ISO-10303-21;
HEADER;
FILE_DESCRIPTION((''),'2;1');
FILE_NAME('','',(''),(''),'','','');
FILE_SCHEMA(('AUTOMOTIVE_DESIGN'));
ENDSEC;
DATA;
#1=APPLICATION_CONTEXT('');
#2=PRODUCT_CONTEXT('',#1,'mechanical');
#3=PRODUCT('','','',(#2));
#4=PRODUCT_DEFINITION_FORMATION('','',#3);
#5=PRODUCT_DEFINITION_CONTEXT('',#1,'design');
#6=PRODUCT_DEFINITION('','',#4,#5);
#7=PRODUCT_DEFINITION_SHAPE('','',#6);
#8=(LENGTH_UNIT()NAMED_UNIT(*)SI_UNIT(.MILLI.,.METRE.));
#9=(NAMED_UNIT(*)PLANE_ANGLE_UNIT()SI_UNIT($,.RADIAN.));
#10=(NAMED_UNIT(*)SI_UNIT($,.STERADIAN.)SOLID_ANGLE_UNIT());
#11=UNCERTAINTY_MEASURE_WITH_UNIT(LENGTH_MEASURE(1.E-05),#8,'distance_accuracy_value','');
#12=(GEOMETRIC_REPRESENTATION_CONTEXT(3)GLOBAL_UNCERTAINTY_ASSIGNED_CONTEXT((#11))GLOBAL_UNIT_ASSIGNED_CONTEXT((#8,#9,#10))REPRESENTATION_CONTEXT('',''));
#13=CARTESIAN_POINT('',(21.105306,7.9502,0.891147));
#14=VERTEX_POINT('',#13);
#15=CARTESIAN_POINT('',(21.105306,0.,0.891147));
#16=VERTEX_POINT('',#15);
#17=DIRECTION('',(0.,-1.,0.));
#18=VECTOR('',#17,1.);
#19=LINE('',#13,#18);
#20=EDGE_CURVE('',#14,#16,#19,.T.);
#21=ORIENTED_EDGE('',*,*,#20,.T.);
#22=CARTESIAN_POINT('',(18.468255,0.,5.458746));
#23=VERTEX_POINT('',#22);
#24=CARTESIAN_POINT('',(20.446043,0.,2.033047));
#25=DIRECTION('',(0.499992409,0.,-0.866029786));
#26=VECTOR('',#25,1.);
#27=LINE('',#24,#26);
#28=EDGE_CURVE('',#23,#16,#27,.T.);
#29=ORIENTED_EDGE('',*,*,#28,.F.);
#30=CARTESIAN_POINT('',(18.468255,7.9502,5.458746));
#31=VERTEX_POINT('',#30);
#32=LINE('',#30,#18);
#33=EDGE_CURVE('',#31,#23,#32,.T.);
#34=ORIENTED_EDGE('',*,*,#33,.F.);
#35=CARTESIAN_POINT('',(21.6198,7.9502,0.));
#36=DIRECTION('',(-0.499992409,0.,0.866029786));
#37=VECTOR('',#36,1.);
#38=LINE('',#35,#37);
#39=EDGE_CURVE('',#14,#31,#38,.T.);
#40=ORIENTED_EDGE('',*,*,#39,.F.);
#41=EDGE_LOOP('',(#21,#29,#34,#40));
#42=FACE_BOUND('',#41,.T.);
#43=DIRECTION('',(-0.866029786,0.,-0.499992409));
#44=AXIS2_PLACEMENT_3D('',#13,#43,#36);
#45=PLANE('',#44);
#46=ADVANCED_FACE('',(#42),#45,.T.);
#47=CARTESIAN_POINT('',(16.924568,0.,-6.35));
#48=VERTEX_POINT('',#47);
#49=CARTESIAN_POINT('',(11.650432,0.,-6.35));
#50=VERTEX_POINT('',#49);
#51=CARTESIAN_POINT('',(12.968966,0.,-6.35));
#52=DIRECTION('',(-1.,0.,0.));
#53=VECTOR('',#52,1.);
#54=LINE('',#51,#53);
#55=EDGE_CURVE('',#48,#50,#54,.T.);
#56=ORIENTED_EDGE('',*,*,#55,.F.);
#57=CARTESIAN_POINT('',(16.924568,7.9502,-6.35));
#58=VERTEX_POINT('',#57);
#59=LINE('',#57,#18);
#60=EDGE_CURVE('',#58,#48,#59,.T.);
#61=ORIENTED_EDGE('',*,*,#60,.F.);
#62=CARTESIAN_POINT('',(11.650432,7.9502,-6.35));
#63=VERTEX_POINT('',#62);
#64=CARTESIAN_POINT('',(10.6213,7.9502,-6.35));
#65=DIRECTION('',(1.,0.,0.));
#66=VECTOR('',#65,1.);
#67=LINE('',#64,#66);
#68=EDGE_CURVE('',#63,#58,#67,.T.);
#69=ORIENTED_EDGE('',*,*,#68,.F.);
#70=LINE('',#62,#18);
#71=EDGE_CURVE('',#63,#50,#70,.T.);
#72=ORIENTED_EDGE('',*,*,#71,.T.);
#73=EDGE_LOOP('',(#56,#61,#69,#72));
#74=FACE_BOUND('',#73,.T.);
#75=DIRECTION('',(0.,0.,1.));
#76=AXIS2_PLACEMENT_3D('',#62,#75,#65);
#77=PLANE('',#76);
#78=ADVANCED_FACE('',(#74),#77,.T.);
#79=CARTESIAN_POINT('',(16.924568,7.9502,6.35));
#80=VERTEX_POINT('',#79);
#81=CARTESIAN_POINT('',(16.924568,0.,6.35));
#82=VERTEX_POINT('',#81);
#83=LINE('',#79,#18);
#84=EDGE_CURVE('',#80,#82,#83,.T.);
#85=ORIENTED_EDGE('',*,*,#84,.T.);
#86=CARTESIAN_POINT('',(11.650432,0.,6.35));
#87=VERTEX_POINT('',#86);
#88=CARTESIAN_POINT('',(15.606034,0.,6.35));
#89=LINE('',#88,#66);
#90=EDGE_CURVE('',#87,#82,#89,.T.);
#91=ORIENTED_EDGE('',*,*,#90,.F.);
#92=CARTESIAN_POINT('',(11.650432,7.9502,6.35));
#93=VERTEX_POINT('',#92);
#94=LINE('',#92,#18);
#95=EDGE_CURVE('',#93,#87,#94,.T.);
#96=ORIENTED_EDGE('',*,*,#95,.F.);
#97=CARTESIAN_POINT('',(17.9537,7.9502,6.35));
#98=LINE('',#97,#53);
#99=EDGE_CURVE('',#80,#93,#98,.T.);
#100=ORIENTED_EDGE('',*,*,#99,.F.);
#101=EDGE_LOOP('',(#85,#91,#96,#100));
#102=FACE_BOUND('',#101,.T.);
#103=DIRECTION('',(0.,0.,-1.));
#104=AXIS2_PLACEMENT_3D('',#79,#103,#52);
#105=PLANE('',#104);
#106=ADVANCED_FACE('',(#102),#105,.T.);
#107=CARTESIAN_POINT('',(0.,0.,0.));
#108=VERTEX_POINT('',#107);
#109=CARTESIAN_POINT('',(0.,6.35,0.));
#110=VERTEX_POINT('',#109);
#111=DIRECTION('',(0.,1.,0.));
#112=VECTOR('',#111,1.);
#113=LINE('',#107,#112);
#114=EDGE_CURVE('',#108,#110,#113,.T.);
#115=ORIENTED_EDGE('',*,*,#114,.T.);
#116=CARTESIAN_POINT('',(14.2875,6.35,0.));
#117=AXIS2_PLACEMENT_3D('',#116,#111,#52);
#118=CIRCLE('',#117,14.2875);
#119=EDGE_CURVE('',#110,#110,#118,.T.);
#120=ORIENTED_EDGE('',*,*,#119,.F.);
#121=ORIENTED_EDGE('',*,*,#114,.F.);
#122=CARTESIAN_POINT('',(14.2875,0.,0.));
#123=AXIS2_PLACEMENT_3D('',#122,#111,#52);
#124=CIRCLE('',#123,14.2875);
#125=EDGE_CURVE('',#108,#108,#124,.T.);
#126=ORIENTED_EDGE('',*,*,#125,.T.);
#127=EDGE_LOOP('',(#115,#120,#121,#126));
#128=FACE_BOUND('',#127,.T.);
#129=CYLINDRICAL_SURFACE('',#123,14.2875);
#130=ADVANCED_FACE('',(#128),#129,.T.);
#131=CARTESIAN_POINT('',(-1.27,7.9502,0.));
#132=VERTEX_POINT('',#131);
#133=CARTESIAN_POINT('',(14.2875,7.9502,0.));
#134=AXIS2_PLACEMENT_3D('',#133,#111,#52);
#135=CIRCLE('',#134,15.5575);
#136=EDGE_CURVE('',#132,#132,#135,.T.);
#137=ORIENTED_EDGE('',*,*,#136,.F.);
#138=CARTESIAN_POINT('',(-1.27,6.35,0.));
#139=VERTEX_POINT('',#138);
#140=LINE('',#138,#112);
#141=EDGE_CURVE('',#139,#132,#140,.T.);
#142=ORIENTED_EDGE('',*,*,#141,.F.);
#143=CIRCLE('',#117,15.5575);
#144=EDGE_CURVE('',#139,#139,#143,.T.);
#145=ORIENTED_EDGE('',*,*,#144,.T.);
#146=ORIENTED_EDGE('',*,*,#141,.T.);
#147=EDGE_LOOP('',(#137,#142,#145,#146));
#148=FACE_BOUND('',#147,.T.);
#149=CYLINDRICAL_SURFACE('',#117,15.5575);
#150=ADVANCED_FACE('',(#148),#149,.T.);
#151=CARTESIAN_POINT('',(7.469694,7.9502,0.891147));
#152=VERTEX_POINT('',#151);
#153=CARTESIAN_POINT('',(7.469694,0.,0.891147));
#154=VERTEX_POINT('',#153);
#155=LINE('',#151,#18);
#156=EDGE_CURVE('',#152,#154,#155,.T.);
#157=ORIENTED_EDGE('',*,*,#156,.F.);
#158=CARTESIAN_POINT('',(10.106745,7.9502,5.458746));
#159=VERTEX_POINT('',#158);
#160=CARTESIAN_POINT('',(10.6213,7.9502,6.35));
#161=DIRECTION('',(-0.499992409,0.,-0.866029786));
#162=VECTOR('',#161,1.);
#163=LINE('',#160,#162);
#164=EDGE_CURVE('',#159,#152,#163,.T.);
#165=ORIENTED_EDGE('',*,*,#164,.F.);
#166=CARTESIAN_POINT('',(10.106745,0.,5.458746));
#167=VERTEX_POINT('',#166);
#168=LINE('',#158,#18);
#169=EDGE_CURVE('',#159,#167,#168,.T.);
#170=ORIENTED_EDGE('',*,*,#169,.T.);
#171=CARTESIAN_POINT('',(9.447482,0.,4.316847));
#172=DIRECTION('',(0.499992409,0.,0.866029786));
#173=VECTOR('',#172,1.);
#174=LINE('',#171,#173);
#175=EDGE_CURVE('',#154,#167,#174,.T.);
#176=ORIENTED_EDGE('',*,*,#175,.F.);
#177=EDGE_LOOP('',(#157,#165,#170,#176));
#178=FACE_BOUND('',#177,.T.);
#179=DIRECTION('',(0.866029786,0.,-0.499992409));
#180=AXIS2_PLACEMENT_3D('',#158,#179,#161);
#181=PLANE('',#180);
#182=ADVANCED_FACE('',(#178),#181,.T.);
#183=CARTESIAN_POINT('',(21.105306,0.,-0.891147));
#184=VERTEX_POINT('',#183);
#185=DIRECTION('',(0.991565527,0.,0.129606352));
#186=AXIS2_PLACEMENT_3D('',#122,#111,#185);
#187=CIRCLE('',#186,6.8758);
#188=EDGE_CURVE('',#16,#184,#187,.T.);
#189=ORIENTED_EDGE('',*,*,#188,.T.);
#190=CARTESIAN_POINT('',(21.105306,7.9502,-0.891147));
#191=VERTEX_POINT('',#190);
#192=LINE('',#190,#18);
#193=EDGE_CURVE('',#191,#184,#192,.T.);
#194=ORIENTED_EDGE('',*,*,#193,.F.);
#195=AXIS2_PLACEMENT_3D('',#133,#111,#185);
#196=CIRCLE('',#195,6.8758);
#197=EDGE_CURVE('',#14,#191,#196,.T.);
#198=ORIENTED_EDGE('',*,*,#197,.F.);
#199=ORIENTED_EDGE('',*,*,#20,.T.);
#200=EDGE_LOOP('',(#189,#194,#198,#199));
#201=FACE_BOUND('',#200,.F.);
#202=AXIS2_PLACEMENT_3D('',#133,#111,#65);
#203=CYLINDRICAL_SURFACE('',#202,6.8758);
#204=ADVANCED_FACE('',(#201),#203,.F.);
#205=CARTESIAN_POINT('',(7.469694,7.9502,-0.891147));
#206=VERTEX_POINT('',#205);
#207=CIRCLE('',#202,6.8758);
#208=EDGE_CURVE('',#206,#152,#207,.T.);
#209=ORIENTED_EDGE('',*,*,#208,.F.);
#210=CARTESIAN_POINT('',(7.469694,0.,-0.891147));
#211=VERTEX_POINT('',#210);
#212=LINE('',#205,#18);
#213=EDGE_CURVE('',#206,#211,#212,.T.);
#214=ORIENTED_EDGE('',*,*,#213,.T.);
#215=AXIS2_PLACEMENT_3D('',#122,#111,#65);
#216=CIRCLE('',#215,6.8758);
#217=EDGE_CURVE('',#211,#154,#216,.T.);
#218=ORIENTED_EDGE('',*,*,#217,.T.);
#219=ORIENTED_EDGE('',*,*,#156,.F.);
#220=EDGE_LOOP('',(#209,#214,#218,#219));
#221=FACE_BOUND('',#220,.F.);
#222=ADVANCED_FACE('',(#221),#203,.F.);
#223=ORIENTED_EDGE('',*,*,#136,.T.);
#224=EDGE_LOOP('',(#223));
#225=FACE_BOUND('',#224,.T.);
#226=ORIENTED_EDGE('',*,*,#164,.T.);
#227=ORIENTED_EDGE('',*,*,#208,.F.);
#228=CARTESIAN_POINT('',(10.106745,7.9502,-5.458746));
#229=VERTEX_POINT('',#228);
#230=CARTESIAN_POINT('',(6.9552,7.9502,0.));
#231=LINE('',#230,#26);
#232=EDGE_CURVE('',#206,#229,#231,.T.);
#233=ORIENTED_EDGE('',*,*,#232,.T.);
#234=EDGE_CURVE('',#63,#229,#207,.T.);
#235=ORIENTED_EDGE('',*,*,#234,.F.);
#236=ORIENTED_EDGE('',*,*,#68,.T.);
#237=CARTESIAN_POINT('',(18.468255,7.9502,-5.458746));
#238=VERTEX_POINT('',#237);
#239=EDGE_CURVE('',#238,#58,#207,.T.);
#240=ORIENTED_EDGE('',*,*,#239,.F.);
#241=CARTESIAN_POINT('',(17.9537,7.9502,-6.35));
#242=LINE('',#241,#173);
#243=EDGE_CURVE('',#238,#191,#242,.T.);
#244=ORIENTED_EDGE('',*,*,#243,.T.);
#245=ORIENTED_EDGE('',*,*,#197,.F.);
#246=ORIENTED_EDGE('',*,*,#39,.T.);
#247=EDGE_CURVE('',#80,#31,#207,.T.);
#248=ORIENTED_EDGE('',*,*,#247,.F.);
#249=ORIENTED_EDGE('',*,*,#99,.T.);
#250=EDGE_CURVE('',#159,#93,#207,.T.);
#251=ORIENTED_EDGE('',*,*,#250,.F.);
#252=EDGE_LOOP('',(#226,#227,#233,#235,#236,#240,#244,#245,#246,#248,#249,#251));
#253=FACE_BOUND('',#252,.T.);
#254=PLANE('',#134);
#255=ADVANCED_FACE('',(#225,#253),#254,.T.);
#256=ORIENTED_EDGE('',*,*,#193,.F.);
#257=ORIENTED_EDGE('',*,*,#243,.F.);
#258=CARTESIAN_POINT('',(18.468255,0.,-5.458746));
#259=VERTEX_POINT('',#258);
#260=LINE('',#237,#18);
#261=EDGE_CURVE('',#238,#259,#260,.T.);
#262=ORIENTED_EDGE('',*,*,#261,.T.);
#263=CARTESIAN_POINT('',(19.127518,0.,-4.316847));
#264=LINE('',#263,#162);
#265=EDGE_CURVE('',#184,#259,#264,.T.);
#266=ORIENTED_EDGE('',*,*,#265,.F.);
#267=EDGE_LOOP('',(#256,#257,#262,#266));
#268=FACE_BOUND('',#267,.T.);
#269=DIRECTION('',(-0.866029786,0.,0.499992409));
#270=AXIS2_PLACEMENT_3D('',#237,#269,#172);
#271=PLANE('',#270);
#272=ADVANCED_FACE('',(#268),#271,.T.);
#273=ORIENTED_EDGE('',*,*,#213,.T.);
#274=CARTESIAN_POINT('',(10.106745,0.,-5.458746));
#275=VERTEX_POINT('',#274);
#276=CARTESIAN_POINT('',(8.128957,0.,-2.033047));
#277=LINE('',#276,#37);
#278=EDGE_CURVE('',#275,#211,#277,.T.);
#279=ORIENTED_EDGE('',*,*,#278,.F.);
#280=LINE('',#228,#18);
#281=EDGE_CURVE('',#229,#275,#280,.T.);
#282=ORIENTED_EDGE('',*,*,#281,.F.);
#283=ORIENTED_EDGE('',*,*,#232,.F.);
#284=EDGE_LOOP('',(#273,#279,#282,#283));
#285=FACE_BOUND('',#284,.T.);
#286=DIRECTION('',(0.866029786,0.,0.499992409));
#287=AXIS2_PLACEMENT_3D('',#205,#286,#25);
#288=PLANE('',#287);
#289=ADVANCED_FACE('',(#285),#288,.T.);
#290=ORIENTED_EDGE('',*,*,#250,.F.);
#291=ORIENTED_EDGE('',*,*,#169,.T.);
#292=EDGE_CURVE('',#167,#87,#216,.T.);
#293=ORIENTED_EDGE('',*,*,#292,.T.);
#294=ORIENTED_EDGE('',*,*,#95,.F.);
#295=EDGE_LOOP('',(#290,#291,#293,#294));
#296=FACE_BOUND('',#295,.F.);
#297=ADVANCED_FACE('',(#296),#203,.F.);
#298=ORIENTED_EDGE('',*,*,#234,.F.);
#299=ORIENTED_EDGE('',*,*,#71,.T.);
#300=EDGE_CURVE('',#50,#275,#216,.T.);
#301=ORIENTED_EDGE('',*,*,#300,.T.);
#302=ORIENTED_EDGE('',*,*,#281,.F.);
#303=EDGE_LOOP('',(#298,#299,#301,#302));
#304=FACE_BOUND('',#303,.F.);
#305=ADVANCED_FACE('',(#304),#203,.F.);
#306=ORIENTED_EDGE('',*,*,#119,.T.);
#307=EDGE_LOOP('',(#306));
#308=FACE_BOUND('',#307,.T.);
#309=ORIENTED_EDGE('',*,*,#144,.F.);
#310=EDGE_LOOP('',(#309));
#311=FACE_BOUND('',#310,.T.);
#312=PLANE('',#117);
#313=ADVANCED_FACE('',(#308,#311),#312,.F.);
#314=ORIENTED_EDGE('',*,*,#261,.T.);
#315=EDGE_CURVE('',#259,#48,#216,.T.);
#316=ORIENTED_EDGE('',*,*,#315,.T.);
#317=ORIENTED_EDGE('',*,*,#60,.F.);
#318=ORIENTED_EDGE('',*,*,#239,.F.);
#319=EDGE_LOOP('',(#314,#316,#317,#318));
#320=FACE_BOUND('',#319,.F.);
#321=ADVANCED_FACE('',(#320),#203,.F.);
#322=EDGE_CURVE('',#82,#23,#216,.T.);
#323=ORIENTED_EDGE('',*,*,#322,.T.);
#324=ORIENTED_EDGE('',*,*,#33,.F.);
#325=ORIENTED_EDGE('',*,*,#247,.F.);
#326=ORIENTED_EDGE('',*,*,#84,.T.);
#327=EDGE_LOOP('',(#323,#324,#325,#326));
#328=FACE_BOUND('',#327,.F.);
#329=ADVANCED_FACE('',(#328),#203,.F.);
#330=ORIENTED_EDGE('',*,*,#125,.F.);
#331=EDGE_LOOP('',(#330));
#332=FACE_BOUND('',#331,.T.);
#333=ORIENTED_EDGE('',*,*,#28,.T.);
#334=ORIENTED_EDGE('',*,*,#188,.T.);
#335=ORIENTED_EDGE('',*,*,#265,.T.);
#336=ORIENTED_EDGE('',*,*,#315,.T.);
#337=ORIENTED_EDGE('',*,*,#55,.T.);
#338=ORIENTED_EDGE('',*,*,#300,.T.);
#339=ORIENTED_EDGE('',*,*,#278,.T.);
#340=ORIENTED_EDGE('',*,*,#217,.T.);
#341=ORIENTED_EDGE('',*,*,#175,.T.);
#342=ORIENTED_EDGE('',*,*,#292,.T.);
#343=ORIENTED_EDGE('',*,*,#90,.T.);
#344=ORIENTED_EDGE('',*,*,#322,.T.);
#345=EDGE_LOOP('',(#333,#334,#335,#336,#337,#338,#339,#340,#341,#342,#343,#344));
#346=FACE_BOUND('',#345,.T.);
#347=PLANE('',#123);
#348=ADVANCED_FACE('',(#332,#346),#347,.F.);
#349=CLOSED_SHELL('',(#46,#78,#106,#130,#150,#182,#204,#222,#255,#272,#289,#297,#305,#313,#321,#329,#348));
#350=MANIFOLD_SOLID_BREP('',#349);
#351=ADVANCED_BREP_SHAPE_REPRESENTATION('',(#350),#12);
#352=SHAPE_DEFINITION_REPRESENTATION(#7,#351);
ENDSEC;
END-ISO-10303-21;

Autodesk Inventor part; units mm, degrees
ref_plane "YZ Plane" through (0, 0, 0) normal (1, 0, 0) x (0, 1, 0)
ref_plane "XZ Plane" through (0, 0, 0) normal (0, 1, 0) x (-1, 0, 0)
ref_plane "XY Plane" through (0, 0, 0) normal (0, 0, 1) x (1, 0, 0)
sketch "Sketch5" plane through (0, 0, 0) normal (0, 0, 1) x (1, 0, 0)
  line L0 (0, 0) -> (0, 6.35)
  line L1 (0, 6.35) -> (-1.27, 6.35)
  line L2 (-1.27, 6.35) -> (-1.27, 7.9502)
  line L3 (-1.27, 7.9502) -> (29.845, 7.9502)
  line L4 (29.845, 7.9502) -> (29.845, 6.35)
  line L5 (29.845, 6.35) -> (28.575, 6.35)
  line L6 (28.575, 6.35) -> (28.575, 0)
  line L7 (28.575, 0) -> (0, 0)
  line L8 (14.2875, 0) -> (14.2875, 7.9502)
  dimension "d8" = 28.575
  dimension "d9" = 31.115
  dimension "d10" = 6.35
  dimension "d12" = 7.9502
revolve "Revolution2" add sketch "Sketch5" angle 360 about axis through (14.2875, 0, 0) along (0, 1, 0) contours L0 L1 L2 L3 L8 L7
sketch "Sketch6" plane through (14.2875, 7.9502, 0) normal (0, 1, 0) x (1, 0, 0)
  line L0 (-7.3323, 0) -> (-3.6662, 6.35)
  line L1 (-3.6662, 6.35) -> (3.6662, 6.35)
  line L2 (3.6662, 6.35) -> (7.3323, 0)
  line L3 (7.3323, 0) -> (3.6662, -6.35)
  line L4 (3.6662, -6.35) -> (-3.6662, -6.35)
  line L5 (-3.6662, -6.35) -> (-7.3323, 0)
  circle A0 centre (0, 0) radius 15.5575 projected
  circle A1 centre (0, 0) radius 6.8758
  point P0 (-14.2875, 0)
  point P1 (2.637, -6.35)
  point P2 (4.1808, -5.4587)
  point P3 (6.8178, -0.8913)
  point P4 (6.8178, 0.8913)
  point P5 (4.1808, 5.4587)
  point P6 (2.637, 6.35)
  point P7 (-2.637, 6.35)
  point P8 (-4.1808, 5.4587)
  point P9 (-6.8178, 0.8913)
  point P10 (-6.8178, -0.8913)
  point P11 (-4.1808, -5.4587)
  point P12 (-2.637, -6.35)
  dimension "d14" = 12.7
  dimension "d15" = 13.7516
extrude "Extrusion1" cut sketch "Sketch6" against normal through all contours L0 A1 L1 L2 L3 L4 L5
properties part number "part_ Ball Bearing for Thundershaft"
